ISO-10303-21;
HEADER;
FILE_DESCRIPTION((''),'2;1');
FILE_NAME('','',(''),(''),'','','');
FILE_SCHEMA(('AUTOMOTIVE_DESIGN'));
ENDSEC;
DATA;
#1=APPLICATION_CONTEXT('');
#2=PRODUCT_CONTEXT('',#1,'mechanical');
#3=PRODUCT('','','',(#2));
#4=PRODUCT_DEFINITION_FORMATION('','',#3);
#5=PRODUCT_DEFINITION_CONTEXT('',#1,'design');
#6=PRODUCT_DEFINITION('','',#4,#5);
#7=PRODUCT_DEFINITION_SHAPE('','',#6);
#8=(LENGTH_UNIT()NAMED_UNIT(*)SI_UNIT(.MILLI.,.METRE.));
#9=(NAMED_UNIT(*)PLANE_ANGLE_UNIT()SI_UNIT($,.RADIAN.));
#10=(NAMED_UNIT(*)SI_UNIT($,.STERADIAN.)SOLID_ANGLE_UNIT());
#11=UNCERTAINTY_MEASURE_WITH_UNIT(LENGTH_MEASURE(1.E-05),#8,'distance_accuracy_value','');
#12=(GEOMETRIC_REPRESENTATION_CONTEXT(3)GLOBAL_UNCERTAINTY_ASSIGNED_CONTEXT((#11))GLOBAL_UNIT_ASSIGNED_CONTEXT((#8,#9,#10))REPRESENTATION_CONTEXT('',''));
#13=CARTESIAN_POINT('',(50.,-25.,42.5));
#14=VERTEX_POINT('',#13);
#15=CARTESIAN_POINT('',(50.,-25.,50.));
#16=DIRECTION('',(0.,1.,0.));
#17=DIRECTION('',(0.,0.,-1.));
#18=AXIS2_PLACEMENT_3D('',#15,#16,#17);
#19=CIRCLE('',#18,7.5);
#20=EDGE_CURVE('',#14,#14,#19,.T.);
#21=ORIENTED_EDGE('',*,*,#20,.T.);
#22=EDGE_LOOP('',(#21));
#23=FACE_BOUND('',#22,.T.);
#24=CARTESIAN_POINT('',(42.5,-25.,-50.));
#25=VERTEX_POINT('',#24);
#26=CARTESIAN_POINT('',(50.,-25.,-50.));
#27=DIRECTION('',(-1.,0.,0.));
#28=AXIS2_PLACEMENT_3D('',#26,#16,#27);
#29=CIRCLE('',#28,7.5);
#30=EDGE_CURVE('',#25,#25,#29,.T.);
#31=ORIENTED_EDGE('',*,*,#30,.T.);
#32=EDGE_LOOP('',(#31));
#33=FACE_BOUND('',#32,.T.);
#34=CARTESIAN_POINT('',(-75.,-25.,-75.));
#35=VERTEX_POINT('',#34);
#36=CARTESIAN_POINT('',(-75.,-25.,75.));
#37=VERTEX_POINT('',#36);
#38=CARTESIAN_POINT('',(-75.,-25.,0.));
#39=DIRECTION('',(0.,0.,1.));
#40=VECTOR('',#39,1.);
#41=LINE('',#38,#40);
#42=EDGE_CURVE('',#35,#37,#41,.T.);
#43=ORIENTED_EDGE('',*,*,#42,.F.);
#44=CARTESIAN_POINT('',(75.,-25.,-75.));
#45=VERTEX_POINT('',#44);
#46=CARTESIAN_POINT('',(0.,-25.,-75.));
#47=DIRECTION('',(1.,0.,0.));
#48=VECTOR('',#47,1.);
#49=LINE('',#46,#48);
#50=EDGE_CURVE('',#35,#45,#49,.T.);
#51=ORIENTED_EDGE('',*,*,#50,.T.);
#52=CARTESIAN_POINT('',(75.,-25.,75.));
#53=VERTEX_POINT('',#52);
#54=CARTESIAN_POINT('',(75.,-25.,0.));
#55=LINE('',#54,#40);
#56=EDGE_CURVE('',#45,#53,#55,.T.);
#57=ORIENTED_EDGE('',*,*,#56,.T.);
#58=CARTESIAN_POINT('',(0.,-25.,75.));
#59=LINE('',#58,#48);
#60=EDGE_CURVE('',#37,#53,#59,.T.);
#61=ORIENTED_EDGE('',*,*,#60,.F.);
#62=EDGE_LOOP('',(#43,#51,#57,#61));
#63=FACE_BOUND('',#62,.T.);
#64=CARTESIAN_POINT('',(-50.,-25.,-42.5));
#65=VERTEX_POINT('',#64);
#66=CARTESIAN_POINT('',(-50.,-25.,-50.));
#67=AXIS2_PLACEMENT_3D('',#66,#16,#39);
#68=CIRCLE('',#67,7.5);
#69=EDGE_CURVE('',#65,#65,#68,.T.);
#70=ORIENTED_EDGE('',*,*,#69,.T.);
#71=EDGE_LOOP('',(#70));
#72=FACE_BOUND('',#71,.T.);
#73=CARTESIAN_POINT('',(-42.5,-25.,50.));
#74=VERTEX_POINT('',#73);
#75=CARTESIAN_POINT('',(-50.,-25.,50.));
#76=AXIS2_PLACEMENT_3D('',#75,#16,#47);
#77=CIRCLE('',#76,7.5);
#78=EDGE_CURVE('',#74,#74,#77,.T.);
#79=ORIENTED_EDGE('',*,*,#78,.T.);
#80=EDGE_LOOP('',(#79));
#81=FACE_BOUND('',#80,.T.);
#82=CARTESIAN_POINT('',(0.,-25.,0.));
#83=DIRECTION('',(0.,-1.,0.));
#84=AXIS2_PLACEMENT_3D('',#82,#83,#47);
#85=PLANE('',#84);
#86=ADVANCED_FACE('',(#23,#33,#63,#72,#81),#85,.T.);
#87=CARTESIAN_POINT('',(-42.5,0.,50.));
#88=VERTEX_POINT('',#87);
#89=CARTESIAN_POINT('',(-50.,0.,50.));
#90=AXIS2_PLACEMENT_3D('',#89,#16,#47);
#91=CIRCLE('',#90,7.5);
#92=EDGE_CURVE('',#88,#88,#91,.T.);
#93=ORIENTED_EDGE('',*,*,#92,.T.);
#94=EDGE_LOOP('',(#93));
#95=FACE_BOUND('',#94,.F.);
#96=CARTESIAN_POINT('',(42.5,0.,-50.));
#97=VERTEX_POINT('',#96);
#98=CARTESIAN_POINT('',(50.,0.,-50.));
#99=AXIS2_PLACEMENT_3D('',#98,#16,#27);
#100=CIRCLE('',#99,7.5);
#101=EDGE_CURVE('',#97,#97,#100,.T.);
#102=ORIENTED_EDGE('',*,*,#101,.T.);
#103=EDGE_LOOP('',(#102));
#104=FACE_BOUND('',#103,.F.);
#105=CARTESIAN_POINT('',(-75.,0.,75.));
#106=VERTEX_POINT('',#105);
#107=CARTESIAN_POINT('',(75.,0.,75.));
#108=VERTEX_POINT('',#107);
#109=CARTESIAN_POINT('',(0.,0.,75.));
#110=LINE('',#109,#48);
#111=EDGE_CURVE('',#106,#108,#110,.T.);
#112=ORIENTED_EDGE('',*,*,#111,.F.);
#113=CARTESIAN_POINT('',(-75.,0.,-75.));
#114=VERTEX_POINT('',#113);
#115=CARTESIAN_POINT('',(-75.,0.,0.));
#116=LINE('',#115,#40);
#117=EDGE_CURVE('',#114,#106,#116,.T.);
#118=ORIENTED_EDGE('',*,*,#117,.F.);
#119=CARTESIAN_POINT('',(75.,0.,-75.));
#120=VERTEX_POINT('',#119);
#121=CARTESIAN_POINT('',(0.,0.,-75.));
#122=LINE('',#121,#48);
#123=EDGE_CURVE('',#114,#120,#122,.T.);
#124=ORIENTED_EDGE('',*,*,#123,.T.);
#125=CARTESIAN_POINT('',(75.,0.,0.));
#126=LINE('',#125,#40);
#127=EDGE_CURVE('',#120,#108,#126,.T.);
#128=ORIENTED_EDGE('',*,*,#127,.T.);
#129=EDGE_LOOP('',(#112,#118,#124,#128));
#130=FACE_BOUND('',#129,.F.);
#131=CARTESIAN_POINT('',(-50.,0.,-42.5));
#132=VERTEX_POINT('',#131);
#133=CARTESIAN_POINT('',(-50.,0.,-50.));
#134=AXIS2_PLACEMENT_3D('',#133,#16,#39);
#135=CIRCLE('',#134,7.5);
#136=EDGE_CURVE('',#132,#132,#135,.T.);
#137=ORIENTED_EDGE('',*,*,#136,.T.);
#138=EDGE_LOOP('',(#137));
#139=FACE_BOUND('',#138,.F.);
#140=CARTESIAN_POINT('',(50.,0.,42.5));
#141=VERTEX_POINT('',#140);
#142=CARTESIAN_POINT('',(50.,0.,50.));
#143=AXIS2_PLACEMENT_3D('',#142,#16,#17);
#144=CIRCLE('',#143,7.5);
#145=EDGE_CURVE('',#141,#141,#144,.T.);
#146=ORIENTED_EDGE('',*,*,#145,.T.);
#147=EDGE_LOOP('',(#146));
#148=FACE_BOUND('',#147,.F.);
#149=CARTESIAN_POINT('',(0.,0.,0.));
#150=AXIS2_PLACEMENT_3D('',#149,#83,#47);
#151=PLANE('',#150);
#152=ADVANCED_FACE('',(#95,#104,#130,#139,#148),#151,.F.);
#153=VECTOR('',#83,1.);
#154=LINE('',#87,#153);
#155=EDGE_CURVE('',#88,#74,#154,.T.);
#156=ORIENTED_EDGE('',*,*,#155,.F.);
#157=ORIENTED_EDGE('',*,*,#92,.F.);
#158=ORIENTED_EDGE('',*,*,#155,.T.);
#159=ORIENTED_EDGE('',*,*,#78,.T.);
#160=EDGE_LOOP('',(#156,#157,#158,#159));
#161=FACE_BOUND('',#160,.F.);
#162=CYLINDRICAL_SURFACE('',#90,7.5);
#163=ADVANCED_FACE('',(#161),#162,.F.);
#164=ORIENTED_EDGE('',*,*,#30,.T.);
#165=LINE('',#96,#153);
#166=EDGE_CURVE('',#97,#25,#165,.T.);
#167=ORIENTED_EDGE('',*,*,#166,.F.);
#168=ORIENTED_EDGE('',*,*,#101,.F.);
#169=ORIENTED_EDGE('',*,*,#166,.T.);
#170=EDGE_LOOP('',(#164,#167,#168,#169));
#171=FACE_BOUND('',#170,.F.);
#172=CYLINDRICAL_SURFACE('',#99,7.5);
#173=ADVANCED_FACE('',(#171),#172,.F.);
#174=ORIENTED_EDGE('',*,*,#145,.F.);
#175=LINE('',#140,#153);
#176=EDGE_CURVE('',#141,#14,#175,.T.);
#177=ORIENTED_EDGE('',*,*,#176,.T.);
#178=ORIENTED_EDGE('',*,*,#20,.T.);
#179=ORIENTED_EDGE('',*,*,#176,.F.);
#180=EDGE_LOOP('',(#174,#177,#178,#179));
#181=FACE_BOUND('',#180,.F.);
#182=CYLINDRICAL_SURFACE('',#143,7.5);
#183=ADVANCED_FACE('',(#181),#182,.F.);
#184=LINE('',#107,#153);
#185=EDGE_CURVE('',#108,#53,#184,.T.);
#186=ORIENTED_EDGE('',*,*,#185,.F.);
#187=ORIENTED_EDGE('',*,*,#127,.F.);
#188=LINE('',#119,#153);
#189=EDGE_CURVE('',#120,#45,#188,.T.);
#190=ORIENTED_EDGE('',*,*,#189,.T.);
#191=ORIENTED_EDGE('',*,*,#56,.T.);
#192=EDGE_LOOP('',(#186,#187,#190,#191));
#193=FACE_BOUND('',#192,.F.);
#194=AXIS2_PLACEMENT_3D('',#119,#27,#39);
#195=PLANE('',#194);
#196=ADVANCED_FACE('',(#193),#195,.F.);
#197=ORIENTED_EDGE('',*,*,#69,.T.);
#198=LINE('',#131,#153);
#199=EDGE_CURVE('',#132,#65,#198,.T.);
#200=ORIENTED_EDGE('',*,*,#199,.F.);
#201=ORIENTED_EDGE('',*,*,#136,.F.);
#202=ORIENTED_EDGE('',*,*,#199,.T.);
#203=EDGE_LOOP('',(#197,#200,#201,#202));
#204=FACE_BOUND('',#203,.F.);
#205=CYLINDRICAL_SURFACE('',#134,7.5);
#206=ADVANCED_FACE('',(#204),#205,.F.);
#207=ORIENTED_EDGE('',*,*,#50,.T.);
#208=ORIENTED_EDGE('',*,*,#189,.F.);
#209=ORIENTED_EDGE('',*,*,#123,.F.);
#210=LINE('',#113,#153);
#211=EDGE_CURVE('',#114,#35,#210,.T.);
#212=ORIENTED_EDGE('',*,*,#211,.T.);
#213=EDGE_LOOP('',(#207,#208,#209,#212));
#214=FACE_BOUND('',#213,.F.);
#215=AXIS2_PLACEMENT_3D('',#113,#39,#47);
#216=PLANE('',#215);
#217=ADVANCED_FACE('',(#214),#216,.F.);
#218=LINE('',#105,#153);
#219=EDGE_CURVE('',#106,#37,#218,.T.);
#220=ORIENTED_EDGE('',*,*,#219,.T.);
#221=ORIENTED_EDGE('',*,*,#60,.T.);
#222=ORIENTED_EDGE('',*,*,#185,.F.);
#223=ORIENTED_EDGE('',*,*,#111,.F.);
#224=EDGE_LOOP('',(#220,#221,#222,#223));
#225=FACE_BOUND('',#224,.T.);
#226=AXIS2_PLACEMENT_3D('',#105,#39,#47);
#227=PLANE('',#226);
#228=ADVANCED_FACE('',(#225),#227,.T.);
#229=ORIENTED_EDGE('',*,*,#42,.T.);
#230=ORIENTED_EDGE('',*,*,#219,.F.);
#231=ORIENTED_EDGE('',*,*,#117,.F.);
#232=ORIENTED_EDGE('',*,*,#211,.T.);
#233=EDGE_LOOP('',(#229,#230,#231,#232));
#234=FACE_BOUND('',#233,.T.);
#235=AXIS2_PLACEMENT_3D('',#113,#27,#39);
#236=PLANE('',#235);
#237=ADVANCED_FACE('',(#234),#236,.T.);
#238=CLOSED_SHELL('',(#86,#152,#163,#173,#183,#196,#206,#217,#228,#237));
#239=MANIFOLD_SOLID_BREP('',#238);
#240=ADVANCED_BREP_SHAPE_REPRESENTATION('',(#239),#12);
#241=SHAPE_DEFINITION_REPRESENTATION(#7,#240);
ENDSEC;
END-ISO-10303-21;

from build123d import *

# Parameters (mm, degrees)
F0_W     = 150
F0_H     = 150
F1_DEPTH = 25


with BuildPart() as f1:
    # F0 (on Front) → F1 (new body)
    with BuildSketch(Plane.XZ):
        Rectangle(F0_W, F0_H)
        with BuildLine():
            ThreePointArc((-50, 42.5), (-55.3033008589, 55.3033008589), (-42.5, 50))
            Line((-42.5, 50), (42.5, 50))
            ThreePointArc((42.5, 50), (50, 57.5), (57.5, 50))
            ThreePointArc((57.5, 50), (55.3033008589, 44.6966991411), (50, 42.5))
            Line((50, 42.5), (50, -42.5))
            ThreePointArc((50, -42.5), (55.3033008589, -44.6966991411), (57.5, -50))
            ThreePointArc((57.5, -50), (50, -57.5), (42.5, -50))
            Line((42.5, -50), (-42.5, -50))
            ThreePointArc((-42.5, -50), (-55.3033008589, -55.3033008589), (-50, -42.5))
            Line((-50, -42.5), (-50, 42.5))
        make_face(mode=Mode.SUBTRACT)
        with BuildLine():
            Line((42.5, 50), (-42.5, 50))
            ThreePointArc((-42.5, 50), (-44.6966991411, 44.6966991411), (-50, 42.5))
            Line((-50, 42.5), (-50, -42.5))
            ThreePointArc((-50, -42.5), (-44.6966991411, -44.6966991411), (-42.5, -50))
            Line((-42.5, -50), (42.5, -50))
            ThreePointArc((42.5, -50), (44.6966991411, -44.6966991411), (50, -42.5))
            Line((50, -42.5), (50, 42.5))
            ThreePointArc((50, 42.5), (44.6966991411, 44.6966991411), (42.5, 50))
        make_face()
    extrude(amount=F1_DEPTH)


solid = f1.part
